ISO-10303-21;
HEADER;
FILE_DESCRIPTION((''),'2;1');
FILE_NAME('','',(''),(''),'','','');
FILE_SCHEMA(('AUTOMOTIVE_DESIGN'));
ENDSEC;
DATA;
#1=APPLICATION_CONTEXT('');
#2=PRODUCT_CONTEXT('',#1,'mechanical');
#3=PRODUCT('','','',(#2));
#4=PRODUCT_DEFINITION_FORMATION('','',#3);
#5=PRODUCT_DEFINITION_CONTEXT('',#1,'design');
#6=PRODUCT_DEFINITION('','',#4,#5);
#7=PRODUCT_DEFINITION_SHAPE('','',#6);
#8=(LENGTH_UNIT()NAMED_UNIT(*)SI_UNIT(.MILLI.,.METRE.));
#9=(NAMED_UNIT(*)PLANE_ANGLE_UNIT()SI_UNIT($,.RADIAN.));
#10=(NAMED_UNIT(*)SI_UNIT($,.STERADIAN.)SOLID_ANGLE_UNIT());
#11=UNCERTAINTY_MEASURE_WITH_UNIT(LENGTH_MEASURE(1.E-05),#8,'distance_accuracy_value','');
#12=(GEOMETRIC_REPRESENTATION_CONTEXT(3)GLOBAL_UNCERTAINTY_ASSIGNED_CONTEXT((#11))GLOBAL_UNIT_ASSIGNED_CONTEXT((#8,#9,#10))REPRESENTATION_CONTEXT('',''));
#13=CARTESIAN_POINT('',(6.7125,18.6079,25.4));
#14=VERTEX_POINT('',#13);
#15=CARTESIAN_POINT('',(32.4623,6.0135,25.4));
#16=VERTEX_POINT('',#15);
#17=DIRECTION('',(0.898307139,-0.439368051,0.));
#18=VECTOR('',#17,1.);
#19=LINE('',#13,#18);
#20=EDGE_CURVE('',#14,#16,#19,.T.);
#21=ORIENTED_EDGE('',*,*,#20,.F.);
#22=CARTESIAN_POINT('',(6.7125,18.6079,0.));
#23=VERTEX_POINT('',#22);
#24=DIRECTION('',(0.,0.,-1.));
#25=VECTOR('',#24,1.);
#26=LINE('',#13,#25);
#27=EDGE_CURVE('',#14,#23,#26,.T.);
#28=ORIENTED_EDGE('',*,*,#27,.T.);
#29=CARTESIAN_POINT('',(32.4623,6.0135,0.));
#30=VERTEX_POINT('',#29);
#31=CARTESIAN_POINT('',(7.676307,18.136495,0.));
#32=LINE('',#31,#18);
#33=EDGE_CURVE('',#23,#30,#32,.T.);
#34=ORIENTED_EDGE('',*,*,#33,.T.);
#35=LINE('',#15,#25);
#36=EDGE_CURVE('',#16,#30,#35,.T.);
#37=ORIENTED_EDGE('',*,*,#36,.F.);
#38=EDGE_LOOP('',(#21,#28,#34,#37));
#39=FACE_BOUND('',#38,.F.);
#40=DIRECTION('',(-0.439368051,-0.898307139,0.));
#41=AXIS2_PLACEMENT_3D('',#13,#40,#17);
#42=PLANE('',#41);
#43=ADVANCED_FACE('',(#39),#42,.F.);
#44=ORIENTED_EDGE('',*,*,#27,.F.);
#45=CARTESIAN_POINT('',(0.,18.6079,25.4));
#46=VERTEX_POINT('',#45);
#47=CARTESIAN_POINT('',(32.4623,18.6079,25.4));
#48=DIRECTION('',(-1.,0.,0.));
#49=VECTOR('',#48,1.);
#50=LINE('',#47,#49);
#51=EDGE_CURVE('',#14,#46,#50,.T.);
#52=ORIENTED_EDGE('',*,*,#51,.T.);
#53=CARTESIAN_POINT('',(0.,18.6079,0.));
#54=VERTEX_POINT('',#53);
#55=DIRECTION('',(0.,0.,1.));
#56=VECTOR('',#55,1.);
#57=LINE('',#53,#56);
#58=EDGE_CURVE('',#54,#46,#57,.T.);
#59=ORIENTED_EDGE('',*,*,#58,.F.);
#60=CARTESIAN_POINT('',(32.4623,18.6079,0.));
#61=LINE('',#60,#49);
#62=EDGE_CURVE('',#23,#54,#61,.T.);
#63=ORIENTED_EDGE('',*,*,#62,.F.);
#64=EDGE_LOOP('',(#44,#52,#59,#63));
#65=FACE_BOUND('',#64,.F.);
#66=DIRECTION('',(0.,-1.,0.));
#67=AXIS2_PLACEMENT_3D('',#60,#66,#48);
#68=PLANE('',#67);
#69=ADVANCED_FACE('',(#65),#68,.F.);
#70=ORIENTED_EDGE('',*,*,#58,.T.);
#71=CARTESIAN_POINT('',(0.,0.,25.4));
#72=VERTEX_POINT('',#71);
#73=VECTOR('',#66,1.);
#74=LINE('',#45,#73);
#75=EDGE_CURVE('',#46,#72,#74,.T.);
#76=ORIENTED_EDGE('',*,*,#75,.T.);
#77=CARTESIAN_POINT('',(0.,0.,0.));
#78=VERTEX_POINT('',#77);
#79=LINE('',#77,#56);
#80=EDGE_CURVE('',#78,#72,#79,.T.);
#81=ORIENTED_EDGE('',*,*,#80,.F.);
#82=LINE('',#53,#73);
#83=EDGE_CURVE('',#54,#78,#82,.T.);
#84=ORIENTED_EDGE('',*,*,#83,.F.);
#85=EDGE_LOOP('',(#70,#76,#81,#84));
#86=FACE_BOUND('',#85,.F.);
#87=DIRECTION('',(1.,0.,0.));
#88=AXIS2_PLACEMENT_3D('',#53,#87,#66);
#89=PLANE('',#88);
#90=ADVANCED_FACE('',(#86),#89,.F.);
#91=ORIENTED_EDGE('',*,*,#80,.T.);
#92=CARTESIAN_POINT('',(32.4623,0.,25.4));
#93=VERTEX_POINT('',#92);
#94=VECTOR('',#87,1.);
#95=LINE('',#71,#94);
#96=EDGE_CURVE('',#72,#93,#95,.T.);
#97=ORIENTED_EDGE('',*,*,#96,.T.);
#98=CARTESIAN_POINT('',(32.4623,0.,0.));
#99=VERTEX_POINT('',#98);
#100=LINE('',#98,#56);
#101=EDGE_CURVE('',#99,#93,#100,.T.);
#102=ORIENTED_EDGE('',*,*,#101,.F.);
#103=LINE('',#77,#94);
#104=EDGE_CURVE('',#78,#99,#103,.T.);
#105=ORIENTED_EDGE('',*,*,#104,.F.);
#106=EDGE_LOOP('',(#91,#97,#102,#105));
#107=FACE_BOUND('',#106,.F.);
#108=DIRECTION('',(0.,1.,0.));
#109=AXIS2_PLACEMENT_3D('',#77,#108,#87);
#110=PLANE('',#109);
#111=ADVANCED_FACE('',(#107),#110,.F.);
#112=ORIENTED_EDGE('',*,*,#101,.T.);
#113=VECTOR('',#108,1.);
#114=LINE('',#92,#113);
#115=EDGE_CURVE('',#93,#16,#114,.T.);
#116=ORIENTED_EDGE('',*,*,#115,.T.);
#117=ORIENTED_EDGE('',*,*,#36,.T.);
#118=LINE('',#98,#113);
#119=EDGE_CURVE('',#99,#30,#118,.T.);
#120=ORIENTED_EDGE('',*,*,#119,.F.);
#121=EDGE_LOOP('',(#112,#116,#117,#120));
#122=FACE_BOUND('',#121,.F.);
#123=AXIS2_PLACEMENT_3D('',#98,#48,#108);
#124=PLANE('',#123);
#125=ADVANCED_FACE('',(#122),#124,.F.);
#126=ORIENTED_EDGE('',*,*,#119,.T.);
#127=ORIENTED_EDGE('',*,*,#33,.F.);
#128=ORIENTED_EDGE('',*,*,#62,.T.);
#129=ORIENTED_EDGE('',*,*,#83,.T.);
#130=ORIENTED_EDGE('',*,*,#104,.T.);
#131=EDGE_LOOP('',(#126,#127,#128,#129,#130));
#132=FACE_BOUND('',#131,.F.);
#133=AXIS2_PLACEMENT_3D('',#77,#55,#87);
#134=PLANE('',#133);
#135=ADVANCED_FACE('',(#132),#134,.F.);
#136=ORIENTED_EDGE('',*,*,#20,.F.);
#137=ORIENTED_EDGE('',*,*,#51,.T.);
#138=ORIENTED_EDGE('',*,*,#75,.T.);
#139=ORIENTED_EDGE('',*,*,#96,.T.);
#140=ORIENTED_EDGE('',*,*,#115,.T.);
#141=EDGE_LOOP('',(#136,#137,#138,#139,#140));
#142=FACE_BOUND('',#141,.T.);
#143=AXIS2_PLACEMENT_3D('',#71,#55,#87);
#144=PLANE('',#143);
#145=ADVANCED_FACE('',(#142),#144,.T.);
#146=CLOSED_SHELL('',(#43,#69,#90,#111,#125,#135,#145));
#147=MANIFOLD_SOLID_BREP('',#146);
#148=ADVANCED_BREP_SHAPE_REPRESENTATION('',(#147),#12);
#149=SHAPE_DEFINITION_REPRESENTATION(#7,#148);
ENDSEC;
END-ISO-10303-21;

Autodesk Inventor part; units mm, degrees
ref_plane "YZ Plane" through (0, 0, 0) normal (1, 0, 0) x (0, 1, 0)
ref_plane "XZ Plane" through (0, 0, 0) normal (0, 1, 0) x (-1, 0, 0)
ref_plane "XY Plane" through (0, 0, 0) normal (0, 0, 1) x (1, 0, 0)
sketch "Sketch1" plane through (0, 0, 0) normal (0, 0, 1) x (1, 0, 0)
  line L0 (0, 0) -> (32.4623, 0)
  line L1 (32.4623, 0) -> (32.4623, 18.6079)
  line L2 (32.4623, 18.6079) -> (0, 18.6079)
  line L3 (0, 18.6079) -> (0, 0)
extrude "Extrusion1" add sketch "Sketch1" along normal blind 25.4
sketch "Sketch2" plane through (0, 0, 25.4) normal (0, 0, 1) x (1, 0, 0)
  line L0 (32.4623, 0) -> (32.4623, 18.6079) projected
  line L1 (32.4623, 18.6079) -> (0, 18.6079) projected
  line L2 (6.7125, 18.6079) -> (32.4623, 6.0135)
extrude "Extrusion2" cut sketch "Sketch2" against normal through all
properties part number "Work Planes"
